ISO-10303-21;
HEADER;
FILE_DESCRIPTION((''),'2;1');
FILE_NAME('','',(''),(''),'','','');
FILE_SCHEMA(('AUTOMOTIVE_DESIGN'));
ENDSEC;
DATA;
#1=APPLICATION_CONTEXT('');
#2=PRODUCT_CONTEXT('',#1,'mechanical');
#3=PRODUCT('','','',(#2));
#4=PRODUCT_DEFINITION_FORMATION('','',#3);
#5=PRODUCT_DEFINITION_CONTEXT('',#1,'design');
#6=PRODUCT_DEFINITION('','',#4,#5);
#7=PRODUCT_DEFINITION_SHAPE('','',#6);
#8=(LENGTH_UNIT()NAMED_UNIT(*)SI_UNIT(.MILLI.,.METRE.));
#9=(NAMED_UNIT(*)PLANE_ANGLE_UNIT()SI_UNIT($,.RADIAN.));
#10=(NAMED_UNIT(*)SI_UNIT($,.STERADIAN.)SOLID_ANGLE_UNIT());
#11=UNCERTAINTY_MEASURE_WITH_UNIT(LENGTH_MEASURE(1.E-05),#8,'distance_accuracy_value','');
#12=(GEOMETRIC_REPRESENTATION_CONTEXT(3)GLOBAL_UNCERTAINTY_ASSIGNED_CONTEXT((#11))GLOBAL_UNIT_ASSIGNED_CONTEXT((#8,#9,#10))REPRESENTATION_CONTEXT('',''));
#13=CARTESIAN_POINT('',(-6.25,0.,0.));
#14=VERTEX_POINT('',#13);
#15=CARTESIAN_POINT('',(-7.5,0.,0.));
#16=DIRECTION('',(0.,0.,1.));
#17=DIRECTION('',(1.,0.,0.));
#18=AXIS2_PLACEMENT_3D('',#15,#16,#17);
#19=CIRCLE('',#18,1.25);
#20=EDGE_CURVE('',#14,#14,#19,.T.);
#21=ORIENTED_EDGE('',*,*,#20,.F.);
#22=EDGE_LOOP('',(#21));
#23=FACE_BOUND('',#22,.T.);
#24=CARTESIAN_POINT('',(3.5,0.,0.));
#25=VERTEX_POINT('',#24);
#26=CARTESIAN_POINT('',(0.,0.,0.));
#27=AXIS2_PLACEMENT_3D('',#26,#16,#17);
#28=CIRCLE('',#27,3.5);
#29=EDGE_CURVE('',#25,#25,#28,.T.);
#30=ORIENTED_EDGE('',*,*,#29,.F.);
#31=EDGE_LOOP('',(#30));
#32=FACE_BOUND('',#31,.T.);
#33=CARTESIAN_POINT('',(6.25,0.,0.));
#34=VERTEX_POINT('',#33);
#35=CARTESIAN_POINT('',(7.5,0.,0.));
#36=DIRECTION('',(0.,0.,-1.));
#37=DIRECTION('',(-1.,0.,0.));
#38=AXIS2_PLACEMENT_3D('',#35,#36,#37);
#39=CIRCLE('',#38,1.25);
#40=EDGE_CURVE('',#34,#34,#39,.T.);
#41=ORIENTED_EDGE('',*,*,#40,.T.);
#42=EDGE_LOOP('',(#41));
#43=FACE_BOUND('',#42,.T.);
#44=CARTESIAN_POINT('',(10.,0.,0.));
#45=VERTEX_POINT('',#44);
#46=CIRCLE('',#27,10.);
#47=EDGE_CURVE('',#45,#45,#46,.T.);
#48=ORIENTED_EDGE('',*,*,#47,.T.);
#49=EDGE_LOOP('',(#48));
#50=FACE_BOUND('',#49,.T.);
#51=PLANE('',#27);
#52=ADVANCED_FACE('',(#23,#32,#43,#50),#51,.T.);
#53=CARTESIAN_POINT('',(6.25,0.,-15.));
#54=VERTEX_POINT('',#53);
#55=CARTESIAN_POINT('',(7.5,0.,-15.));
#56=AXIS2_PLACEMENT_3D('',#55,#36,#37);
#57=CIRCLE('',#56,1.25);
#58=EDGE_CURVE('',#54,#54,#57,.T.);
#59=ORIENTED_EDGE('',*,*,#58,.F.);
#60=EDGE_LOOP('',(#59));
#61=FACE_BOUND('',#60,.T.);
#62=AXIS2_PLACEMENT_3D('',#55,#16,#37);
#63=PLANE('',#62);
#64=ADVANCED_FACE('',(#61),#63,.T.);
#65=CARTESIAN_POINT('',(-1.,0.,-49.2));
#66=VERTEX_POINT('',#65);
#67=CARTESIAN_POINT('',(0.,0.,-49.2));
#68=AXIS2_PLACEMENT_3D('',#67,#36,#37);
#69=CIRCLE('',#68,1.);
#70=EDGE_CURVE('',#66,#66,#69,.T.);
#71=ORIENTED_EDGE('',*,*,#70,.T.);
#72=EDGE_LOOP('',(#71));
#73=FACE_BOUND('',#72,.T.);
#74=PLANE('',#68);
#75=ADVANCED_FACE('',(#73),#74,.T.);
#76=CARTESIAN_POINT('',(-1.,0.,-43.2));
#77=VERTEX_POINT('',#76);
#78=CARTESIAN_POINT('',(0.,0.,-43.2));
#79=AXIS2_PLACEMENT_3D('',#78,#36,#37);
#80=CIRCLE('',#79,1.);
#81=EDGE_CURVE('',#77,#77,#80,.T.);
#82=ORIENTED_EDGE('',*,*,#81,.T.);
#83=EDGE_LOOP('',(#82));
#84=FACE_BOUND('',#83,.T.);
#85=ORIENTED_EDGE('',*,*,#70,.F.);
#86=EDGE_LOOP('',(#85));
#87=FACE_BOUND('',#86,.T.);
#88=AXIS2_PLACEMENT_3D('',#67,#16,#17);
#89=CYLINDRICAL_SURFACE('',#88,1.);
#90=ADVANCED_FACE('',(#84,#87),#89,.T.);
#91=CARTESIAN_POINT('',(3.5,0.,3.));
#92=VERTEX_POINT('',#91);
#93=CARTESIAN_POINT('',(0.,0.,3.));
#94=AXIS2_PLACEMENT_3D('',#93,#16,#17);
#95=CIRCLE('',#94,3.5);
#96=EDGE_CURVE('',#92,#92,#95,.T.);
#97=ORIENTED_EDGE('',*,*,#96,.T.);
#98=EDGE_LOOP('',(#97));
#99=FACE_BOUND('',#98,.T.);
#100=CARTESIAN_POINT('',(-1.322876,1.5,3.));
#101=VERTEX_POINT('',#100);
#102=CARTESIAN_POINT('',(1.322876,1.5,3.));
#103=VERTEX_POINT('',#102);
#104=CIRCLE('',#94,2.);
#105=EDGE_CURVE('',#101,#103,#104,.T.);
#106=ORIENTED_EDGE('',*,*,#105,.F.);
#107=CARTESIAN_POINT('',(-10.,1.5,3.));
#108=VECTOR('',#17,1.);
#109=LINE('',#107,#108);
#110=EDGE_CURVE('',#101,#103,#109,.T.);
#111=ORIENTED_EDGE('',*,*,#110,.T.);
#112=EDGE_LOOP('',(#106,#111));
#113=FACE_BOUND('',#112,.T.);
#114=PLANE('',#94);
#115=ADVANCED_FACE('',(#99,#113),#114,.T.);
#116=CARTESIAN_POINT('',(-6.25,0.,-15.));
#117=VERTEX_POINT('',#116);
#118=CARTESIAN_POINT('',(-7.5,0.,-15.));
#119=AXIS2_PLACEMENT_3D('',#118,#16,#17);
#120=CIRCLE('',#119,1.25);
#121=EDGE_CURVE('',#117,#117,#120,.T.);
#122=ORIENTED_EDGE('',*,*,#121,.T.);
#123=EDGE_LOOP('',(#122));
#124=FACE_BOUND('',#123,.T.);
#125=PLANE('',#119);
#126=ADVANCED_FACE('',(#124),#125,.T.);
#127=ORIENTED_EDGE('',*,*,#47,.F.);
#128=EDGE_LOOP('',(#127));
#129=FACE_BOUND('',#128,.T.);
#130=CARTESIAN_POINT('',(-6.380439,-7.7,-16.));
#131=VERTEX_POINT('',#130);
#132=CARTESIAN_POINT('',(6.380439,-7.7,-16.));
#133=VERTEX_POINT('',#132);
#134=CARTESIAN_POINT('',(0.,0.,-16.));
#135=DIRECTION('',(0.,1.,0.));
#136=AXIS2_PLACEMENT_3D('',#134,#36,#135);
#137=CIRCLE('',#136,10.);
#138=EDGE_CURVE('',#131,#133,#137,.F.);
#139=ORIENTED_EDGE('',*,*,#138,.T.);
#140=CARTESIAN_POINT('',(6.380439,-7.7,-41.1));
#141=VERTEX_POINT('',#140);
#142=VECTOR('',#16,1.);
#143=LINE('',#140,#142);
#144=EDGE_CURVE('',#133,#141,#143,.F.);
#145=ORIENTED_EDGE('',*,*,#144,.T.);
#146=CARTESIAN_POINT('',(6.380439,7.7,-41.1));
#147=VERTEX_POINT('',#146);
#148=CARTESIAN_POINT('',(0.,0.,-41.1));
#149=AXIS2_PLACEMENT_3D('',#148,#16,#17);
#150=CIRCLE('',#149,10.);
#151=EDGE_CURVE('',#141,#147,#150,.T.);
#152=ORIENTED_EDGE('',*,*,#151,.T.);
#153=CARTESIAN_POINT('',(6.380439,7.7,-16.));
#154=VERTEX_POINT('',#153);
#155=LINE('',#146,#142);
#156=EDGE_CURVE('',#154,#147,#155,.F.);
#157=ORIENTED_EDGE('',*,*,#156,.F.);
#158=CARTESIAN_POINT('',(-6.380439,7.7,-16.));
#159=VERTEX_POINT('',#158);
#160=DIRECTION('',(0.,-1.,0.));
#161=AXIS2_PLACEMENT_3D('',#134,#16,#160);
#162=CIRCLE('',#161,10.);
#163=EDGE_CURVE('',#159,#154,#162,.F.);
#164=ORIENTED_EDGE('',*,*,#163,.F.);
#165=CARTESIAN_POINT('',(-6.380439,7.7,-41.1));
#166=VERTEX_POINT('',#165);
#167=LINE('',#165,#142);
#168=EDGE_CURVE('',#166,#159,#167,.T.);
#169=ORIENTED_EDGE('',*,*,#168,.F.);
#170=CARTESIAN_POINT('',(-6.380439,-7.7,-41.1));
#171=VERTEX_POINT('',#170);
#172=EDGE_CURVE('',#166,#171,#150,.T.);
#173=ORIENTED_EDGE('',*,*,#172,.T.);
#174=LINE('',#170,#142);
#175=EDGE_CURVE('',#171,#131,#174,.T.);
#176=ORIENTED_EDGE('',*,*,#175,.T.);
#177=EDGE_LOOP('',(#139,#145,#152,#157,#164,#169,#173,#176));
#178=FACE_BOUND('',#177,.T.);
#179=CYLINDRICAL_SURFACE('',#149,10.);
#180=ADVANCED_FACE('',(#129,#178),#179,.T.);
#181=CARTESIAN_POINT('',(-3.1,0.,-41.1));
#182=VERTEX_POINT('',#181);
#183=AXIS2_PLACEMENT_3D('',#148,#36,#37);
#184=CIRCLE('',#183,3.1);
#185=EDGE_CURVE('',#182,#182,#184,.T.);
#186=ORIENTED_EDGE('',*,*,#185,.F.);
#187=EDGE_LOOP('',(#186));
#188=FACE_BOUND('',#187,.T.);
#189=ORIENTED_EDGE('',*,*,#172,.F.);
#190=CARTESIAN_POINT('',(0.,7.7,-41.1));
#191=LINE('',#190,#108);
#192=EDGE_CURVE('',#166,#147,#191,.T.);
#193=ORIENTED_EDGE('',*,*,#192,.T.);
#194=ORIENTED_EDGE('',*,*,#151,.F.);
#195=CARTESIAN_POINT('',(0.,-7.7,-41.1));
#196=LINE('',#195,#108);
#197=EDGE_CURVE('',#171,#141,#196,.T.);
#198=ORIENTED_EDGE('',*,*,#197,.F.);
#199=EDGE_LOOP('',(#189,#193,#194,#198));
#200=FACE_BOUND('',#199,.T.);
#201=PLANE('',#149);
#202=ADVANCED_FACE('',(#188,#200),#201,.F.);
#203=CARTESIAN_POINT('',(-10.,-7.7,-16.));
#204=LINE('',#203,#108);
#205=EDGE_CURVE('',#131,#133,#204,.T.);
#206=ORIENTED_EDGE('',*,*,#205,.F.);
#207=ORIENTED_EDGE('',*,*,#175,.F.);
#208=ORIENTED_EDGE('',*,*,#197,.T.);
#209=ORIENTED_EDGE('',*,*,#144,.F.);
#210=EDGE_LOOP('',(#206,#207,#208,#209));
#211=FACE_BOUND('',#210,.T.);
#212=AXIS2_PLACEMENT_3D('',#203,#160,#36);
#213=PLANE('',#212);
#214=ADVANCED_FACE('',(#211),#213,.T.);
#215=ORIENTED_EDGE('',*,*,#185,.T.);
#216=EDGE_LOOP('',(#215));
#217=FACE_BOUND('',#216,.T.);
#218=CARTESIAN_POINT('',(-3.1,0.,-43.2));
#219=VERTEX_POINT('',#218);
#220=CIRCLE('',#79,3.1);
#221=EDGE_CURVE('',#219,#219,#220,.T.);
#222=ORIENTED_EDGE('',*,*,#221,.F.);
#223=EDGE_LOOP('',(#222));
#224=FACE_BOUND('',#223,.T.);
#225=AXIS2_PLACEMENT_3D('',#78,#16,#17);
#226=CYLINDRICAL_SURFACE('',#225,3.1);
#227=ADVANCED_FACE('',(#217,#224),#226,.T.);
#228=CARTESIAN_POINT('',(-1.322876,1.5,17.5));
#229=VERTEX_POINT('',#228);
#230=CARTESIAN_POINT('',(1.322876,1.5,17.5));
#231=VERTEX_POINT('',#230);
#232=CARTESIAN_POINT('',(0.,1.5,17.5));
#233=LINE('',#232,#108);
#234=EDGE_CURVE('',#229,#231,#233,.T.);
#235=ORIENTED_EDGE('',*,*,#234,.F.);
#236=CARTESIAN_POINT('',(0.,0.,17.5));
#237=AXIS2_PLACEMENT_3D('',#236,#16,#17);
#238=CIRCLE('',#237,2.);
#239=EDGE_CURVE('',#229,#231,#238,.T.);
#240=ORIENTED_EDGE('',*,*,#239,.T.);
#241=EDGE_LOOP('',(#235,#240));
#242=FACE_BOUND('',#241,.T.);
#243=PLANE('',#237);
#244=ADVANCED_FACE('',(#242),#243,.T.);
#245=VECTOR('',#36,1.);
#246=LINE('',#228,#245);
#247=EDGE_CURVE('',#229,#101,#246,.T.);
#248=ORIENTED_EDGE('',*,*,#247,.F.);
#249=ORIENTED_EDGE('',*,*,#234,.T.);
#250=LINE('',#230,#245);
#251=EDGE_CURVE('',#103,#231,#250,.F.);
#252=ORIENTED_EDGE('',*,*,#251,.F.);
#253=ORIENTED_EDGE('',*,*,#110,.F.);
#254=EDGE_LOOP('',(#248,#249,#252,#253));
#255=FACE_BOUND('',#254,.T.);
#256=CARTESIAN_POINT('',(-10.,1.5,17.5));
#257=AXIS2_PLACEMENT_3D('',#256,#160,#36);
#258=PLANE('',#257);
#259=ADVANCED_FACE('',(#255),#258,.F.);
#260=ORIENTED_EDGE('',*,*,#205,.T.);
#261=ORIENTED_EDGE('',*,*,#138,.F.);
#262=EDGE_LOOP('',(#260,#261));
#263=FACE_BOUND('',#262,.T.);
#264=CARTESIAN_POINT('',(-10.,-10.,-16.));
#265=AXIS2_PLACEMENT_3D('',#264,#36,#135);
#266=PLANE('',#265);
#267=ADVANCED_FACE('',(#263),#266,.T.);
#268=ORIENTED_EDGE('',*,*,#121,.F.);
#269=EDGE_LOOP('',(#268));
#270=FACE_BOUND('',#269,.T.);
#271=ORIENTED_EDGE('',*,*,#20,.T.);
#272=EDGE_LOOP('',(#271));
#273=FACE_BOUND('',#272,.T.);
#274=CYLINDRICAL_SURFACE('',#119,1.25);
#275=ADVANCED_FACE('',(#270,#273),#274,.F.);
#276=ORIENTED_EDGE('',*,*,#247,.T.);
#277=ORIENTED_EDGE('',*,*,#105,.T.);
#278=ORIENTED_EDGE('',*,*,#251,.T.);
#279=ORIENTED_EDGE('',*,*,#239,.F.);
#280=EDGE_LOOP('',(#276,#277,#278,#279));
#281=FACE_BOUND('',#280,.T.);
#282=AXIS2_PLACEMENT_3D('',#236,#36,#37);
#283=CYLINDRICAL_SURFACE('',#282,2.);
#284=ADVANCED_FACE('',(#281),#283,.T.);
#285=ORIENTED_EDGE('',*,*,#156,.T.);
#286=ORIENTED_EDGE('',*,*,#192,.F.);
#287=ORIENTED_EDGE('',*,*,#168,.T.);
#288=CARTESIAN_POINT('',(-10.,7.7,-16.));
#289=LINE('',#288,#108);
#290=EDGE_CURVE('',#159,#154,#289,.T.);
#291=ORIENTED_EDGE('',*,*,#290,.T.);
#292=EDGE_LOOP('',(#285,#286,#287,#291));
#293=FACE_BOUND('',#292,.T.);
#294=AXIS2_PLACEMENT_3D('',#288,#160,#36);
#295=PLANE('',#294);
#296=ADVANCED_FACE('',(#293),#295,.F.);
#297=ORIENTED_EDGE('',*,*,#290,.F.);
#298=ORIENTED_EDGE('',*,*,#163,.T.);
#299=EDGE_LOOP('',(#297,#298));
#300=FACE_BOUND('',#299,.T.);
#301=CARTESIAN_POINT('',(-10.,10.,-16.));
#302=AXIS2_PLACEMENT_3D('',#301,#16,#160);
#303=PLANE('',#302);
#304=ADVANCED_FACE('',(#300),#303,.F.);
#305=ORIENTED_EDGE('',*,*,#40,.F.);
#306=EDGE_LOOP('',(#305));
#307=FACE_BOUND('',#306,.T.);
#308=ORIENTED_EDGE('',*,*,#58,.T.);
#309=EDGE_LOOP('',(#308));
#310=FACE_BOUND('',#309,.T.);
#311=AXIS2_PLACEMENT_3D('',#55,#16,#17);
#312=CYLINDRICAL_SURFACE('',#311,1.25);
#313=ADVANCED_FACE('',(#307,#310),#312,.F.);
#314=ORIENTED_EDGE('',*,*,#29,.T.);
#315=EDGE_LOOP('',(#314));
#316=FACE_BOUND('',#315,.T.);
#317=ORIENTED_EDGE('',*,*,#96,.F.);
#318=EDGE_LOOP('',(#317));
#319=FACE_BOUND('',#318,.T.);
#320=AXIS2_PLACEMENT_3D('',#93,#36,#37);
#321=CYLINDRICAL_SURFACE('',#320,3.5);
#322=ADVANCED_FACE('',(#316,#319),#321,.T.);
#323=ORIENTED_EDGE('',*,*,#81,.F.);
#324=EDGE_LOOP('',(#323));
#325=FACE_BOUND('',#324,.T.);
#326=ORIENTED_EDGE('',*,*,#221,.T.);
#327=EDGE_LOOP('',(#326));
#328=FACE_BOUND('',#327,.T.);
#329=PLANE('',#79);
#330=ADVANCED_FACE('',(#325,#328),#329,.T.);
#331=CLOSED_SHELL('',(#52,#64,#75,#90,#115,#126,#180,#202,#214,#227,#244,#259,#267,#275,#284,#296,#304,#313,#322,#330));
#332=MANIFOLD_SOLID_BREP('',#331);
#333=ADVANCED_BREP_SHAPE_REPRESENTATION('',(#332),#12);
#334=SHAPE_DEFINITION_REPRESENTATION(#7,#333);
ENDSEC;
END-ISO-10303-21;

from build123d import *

# Parameters (mm, degrees)
SKETCH1_R               = 10
BOSS_EXTRUDE1_DEPTH     = 41.1
SKETCH2_W               = 25.1
SKETCH2_H               = 2.3
CUT_EXTRUDE1_DEPTH      = 44.465043426
SKETCH3_R               = 3.5
BOSS_EXTRUDE2_DEPTH     = 3
SKETCH5_R               = 2
BOSS_EXTRUDE4_DEPTH     = 14.5
CUT_EXTRUDE2_DEPTH      = 44.465043426
CUT_EXTRUDE2_DEPTH_BACK = 44.465043426
SKETCH6_W               = 14.5
SKETCH6_H               = 0.5
SKETCH7_R               = 3.1
BOSS_EXTRUDE5_DEPTH     = 2.1
SKETCH8_R               = 1
BOSS_EXTRUDE6_DEPTH     = 6
SKETCH10_R              = 1.25
CUT_EXTRUDE3_DEPTH      = 15


with BuildPart() as part:
    # Sketch1 → Boss-Extrude1 (new body)
    with BuildSketch(Plane.XY):
        Circle(SKETCH1_R)
    extrude(amount=-BOSS_EXTRUDE1_DEPTH)

    # Sketch2 → Cut-Extrude1 (cut, symmetric)
    with BuildSketch(Plane(origin=(0, 0, 0), x_dir=(0, 0, -1), z_dir=(1, 0, 0))):
        with Locations((28.55, 8.85)):
            Rectangle(SKETCH2_W, SKETCH2_H)
    cut_extrude1 = extrude(amount=CUT_EXTRUDE1_DEPTH, both=True, mode=Mode.SUBTRACT)

    # Mirror1: Cut-Extrude1 across plane
    add(cut_extrude1.mirror(Plane.ZX), mode=Mode.SUBTRACT)

    # Sketch3 → Boss-Extrude2 (add)
    with BuildSketch(Plane.XY):
        Circle(SKETCH3_R)
    extrude(amount=BOSS_EXTRUDE2_DEPTH)

    # Sketch5 → Boss-Extrude4 (add)
    with BuildSketch(Plane.XY.offset(3)):
        with Locations(Location((0, 0, 0), (0, 0, 180))):
            Circle(SKETCH5_R)
    extrude(amount=BOSS_EXTRUDE4_DEPTH)

    # Sketch6 → Cut-Extrude2 (cut, two sides: drawn at the far end of the back side and taken through both)
    with BuildSketch(Plane(origin=(0, 0, 0), x_dir=(0, 0, -1), z_dir=(1, 0, 0)).offset(-CUT_EXTRUDE2_DEPTH_BACK)):
        with Locations((-10.25, 1.75)):
            Rectangle(SKETCH6_W, SKETCH6_H)
    extrude(amount=CUT_EXTRUDE2_DEPTH + CUT_EXTRUDE2_DEPTH_BACK, mode=Mode.SUBTRACT)

    # Sketch7 → Boss-Extrude5 (add)
    with BuildSketch(Plane(origin=(0, 0, -41.1), x_dir=(-1, 0, 0), z_dir=(0, 0, -1))):
        Circle(SKETCH7_R)
    extrude(amount=BOSS_EXTRUDE5_DEPTH)

    # Sketch8 → Boss-Extrude6 (add)
    with BuildSketch(Plane(origin=(0, 0, -43.2), x_dir=(-1, 0, 0), z_dir=(0, 0, -1))):
        Circle(SKETCH8_R)
    extrude(amount=BOSS_EXTRUDE6_DEPTH)

    # Sketch10 → Cut-Extrude3 (cut)
    with BuildSketch(Plane.XY):
        with Locations((-7.5, 0)):
            Circle(SKETCH10_R)
    cut_extrude3 = extrude(amount=-CUT_EXTRUDE3_DEPTH, mode=Mode.SUBTRACT)

    # Mirror2: Cut-Extrude3 across plane
    add(cut_extrude3.mirror(Plane(origin=(0, 0, 0), x_dir=(0, 0, 1), z_dir=(1, 0, 0))), mode=Mode.SUBTRACT)


solid = part.part
